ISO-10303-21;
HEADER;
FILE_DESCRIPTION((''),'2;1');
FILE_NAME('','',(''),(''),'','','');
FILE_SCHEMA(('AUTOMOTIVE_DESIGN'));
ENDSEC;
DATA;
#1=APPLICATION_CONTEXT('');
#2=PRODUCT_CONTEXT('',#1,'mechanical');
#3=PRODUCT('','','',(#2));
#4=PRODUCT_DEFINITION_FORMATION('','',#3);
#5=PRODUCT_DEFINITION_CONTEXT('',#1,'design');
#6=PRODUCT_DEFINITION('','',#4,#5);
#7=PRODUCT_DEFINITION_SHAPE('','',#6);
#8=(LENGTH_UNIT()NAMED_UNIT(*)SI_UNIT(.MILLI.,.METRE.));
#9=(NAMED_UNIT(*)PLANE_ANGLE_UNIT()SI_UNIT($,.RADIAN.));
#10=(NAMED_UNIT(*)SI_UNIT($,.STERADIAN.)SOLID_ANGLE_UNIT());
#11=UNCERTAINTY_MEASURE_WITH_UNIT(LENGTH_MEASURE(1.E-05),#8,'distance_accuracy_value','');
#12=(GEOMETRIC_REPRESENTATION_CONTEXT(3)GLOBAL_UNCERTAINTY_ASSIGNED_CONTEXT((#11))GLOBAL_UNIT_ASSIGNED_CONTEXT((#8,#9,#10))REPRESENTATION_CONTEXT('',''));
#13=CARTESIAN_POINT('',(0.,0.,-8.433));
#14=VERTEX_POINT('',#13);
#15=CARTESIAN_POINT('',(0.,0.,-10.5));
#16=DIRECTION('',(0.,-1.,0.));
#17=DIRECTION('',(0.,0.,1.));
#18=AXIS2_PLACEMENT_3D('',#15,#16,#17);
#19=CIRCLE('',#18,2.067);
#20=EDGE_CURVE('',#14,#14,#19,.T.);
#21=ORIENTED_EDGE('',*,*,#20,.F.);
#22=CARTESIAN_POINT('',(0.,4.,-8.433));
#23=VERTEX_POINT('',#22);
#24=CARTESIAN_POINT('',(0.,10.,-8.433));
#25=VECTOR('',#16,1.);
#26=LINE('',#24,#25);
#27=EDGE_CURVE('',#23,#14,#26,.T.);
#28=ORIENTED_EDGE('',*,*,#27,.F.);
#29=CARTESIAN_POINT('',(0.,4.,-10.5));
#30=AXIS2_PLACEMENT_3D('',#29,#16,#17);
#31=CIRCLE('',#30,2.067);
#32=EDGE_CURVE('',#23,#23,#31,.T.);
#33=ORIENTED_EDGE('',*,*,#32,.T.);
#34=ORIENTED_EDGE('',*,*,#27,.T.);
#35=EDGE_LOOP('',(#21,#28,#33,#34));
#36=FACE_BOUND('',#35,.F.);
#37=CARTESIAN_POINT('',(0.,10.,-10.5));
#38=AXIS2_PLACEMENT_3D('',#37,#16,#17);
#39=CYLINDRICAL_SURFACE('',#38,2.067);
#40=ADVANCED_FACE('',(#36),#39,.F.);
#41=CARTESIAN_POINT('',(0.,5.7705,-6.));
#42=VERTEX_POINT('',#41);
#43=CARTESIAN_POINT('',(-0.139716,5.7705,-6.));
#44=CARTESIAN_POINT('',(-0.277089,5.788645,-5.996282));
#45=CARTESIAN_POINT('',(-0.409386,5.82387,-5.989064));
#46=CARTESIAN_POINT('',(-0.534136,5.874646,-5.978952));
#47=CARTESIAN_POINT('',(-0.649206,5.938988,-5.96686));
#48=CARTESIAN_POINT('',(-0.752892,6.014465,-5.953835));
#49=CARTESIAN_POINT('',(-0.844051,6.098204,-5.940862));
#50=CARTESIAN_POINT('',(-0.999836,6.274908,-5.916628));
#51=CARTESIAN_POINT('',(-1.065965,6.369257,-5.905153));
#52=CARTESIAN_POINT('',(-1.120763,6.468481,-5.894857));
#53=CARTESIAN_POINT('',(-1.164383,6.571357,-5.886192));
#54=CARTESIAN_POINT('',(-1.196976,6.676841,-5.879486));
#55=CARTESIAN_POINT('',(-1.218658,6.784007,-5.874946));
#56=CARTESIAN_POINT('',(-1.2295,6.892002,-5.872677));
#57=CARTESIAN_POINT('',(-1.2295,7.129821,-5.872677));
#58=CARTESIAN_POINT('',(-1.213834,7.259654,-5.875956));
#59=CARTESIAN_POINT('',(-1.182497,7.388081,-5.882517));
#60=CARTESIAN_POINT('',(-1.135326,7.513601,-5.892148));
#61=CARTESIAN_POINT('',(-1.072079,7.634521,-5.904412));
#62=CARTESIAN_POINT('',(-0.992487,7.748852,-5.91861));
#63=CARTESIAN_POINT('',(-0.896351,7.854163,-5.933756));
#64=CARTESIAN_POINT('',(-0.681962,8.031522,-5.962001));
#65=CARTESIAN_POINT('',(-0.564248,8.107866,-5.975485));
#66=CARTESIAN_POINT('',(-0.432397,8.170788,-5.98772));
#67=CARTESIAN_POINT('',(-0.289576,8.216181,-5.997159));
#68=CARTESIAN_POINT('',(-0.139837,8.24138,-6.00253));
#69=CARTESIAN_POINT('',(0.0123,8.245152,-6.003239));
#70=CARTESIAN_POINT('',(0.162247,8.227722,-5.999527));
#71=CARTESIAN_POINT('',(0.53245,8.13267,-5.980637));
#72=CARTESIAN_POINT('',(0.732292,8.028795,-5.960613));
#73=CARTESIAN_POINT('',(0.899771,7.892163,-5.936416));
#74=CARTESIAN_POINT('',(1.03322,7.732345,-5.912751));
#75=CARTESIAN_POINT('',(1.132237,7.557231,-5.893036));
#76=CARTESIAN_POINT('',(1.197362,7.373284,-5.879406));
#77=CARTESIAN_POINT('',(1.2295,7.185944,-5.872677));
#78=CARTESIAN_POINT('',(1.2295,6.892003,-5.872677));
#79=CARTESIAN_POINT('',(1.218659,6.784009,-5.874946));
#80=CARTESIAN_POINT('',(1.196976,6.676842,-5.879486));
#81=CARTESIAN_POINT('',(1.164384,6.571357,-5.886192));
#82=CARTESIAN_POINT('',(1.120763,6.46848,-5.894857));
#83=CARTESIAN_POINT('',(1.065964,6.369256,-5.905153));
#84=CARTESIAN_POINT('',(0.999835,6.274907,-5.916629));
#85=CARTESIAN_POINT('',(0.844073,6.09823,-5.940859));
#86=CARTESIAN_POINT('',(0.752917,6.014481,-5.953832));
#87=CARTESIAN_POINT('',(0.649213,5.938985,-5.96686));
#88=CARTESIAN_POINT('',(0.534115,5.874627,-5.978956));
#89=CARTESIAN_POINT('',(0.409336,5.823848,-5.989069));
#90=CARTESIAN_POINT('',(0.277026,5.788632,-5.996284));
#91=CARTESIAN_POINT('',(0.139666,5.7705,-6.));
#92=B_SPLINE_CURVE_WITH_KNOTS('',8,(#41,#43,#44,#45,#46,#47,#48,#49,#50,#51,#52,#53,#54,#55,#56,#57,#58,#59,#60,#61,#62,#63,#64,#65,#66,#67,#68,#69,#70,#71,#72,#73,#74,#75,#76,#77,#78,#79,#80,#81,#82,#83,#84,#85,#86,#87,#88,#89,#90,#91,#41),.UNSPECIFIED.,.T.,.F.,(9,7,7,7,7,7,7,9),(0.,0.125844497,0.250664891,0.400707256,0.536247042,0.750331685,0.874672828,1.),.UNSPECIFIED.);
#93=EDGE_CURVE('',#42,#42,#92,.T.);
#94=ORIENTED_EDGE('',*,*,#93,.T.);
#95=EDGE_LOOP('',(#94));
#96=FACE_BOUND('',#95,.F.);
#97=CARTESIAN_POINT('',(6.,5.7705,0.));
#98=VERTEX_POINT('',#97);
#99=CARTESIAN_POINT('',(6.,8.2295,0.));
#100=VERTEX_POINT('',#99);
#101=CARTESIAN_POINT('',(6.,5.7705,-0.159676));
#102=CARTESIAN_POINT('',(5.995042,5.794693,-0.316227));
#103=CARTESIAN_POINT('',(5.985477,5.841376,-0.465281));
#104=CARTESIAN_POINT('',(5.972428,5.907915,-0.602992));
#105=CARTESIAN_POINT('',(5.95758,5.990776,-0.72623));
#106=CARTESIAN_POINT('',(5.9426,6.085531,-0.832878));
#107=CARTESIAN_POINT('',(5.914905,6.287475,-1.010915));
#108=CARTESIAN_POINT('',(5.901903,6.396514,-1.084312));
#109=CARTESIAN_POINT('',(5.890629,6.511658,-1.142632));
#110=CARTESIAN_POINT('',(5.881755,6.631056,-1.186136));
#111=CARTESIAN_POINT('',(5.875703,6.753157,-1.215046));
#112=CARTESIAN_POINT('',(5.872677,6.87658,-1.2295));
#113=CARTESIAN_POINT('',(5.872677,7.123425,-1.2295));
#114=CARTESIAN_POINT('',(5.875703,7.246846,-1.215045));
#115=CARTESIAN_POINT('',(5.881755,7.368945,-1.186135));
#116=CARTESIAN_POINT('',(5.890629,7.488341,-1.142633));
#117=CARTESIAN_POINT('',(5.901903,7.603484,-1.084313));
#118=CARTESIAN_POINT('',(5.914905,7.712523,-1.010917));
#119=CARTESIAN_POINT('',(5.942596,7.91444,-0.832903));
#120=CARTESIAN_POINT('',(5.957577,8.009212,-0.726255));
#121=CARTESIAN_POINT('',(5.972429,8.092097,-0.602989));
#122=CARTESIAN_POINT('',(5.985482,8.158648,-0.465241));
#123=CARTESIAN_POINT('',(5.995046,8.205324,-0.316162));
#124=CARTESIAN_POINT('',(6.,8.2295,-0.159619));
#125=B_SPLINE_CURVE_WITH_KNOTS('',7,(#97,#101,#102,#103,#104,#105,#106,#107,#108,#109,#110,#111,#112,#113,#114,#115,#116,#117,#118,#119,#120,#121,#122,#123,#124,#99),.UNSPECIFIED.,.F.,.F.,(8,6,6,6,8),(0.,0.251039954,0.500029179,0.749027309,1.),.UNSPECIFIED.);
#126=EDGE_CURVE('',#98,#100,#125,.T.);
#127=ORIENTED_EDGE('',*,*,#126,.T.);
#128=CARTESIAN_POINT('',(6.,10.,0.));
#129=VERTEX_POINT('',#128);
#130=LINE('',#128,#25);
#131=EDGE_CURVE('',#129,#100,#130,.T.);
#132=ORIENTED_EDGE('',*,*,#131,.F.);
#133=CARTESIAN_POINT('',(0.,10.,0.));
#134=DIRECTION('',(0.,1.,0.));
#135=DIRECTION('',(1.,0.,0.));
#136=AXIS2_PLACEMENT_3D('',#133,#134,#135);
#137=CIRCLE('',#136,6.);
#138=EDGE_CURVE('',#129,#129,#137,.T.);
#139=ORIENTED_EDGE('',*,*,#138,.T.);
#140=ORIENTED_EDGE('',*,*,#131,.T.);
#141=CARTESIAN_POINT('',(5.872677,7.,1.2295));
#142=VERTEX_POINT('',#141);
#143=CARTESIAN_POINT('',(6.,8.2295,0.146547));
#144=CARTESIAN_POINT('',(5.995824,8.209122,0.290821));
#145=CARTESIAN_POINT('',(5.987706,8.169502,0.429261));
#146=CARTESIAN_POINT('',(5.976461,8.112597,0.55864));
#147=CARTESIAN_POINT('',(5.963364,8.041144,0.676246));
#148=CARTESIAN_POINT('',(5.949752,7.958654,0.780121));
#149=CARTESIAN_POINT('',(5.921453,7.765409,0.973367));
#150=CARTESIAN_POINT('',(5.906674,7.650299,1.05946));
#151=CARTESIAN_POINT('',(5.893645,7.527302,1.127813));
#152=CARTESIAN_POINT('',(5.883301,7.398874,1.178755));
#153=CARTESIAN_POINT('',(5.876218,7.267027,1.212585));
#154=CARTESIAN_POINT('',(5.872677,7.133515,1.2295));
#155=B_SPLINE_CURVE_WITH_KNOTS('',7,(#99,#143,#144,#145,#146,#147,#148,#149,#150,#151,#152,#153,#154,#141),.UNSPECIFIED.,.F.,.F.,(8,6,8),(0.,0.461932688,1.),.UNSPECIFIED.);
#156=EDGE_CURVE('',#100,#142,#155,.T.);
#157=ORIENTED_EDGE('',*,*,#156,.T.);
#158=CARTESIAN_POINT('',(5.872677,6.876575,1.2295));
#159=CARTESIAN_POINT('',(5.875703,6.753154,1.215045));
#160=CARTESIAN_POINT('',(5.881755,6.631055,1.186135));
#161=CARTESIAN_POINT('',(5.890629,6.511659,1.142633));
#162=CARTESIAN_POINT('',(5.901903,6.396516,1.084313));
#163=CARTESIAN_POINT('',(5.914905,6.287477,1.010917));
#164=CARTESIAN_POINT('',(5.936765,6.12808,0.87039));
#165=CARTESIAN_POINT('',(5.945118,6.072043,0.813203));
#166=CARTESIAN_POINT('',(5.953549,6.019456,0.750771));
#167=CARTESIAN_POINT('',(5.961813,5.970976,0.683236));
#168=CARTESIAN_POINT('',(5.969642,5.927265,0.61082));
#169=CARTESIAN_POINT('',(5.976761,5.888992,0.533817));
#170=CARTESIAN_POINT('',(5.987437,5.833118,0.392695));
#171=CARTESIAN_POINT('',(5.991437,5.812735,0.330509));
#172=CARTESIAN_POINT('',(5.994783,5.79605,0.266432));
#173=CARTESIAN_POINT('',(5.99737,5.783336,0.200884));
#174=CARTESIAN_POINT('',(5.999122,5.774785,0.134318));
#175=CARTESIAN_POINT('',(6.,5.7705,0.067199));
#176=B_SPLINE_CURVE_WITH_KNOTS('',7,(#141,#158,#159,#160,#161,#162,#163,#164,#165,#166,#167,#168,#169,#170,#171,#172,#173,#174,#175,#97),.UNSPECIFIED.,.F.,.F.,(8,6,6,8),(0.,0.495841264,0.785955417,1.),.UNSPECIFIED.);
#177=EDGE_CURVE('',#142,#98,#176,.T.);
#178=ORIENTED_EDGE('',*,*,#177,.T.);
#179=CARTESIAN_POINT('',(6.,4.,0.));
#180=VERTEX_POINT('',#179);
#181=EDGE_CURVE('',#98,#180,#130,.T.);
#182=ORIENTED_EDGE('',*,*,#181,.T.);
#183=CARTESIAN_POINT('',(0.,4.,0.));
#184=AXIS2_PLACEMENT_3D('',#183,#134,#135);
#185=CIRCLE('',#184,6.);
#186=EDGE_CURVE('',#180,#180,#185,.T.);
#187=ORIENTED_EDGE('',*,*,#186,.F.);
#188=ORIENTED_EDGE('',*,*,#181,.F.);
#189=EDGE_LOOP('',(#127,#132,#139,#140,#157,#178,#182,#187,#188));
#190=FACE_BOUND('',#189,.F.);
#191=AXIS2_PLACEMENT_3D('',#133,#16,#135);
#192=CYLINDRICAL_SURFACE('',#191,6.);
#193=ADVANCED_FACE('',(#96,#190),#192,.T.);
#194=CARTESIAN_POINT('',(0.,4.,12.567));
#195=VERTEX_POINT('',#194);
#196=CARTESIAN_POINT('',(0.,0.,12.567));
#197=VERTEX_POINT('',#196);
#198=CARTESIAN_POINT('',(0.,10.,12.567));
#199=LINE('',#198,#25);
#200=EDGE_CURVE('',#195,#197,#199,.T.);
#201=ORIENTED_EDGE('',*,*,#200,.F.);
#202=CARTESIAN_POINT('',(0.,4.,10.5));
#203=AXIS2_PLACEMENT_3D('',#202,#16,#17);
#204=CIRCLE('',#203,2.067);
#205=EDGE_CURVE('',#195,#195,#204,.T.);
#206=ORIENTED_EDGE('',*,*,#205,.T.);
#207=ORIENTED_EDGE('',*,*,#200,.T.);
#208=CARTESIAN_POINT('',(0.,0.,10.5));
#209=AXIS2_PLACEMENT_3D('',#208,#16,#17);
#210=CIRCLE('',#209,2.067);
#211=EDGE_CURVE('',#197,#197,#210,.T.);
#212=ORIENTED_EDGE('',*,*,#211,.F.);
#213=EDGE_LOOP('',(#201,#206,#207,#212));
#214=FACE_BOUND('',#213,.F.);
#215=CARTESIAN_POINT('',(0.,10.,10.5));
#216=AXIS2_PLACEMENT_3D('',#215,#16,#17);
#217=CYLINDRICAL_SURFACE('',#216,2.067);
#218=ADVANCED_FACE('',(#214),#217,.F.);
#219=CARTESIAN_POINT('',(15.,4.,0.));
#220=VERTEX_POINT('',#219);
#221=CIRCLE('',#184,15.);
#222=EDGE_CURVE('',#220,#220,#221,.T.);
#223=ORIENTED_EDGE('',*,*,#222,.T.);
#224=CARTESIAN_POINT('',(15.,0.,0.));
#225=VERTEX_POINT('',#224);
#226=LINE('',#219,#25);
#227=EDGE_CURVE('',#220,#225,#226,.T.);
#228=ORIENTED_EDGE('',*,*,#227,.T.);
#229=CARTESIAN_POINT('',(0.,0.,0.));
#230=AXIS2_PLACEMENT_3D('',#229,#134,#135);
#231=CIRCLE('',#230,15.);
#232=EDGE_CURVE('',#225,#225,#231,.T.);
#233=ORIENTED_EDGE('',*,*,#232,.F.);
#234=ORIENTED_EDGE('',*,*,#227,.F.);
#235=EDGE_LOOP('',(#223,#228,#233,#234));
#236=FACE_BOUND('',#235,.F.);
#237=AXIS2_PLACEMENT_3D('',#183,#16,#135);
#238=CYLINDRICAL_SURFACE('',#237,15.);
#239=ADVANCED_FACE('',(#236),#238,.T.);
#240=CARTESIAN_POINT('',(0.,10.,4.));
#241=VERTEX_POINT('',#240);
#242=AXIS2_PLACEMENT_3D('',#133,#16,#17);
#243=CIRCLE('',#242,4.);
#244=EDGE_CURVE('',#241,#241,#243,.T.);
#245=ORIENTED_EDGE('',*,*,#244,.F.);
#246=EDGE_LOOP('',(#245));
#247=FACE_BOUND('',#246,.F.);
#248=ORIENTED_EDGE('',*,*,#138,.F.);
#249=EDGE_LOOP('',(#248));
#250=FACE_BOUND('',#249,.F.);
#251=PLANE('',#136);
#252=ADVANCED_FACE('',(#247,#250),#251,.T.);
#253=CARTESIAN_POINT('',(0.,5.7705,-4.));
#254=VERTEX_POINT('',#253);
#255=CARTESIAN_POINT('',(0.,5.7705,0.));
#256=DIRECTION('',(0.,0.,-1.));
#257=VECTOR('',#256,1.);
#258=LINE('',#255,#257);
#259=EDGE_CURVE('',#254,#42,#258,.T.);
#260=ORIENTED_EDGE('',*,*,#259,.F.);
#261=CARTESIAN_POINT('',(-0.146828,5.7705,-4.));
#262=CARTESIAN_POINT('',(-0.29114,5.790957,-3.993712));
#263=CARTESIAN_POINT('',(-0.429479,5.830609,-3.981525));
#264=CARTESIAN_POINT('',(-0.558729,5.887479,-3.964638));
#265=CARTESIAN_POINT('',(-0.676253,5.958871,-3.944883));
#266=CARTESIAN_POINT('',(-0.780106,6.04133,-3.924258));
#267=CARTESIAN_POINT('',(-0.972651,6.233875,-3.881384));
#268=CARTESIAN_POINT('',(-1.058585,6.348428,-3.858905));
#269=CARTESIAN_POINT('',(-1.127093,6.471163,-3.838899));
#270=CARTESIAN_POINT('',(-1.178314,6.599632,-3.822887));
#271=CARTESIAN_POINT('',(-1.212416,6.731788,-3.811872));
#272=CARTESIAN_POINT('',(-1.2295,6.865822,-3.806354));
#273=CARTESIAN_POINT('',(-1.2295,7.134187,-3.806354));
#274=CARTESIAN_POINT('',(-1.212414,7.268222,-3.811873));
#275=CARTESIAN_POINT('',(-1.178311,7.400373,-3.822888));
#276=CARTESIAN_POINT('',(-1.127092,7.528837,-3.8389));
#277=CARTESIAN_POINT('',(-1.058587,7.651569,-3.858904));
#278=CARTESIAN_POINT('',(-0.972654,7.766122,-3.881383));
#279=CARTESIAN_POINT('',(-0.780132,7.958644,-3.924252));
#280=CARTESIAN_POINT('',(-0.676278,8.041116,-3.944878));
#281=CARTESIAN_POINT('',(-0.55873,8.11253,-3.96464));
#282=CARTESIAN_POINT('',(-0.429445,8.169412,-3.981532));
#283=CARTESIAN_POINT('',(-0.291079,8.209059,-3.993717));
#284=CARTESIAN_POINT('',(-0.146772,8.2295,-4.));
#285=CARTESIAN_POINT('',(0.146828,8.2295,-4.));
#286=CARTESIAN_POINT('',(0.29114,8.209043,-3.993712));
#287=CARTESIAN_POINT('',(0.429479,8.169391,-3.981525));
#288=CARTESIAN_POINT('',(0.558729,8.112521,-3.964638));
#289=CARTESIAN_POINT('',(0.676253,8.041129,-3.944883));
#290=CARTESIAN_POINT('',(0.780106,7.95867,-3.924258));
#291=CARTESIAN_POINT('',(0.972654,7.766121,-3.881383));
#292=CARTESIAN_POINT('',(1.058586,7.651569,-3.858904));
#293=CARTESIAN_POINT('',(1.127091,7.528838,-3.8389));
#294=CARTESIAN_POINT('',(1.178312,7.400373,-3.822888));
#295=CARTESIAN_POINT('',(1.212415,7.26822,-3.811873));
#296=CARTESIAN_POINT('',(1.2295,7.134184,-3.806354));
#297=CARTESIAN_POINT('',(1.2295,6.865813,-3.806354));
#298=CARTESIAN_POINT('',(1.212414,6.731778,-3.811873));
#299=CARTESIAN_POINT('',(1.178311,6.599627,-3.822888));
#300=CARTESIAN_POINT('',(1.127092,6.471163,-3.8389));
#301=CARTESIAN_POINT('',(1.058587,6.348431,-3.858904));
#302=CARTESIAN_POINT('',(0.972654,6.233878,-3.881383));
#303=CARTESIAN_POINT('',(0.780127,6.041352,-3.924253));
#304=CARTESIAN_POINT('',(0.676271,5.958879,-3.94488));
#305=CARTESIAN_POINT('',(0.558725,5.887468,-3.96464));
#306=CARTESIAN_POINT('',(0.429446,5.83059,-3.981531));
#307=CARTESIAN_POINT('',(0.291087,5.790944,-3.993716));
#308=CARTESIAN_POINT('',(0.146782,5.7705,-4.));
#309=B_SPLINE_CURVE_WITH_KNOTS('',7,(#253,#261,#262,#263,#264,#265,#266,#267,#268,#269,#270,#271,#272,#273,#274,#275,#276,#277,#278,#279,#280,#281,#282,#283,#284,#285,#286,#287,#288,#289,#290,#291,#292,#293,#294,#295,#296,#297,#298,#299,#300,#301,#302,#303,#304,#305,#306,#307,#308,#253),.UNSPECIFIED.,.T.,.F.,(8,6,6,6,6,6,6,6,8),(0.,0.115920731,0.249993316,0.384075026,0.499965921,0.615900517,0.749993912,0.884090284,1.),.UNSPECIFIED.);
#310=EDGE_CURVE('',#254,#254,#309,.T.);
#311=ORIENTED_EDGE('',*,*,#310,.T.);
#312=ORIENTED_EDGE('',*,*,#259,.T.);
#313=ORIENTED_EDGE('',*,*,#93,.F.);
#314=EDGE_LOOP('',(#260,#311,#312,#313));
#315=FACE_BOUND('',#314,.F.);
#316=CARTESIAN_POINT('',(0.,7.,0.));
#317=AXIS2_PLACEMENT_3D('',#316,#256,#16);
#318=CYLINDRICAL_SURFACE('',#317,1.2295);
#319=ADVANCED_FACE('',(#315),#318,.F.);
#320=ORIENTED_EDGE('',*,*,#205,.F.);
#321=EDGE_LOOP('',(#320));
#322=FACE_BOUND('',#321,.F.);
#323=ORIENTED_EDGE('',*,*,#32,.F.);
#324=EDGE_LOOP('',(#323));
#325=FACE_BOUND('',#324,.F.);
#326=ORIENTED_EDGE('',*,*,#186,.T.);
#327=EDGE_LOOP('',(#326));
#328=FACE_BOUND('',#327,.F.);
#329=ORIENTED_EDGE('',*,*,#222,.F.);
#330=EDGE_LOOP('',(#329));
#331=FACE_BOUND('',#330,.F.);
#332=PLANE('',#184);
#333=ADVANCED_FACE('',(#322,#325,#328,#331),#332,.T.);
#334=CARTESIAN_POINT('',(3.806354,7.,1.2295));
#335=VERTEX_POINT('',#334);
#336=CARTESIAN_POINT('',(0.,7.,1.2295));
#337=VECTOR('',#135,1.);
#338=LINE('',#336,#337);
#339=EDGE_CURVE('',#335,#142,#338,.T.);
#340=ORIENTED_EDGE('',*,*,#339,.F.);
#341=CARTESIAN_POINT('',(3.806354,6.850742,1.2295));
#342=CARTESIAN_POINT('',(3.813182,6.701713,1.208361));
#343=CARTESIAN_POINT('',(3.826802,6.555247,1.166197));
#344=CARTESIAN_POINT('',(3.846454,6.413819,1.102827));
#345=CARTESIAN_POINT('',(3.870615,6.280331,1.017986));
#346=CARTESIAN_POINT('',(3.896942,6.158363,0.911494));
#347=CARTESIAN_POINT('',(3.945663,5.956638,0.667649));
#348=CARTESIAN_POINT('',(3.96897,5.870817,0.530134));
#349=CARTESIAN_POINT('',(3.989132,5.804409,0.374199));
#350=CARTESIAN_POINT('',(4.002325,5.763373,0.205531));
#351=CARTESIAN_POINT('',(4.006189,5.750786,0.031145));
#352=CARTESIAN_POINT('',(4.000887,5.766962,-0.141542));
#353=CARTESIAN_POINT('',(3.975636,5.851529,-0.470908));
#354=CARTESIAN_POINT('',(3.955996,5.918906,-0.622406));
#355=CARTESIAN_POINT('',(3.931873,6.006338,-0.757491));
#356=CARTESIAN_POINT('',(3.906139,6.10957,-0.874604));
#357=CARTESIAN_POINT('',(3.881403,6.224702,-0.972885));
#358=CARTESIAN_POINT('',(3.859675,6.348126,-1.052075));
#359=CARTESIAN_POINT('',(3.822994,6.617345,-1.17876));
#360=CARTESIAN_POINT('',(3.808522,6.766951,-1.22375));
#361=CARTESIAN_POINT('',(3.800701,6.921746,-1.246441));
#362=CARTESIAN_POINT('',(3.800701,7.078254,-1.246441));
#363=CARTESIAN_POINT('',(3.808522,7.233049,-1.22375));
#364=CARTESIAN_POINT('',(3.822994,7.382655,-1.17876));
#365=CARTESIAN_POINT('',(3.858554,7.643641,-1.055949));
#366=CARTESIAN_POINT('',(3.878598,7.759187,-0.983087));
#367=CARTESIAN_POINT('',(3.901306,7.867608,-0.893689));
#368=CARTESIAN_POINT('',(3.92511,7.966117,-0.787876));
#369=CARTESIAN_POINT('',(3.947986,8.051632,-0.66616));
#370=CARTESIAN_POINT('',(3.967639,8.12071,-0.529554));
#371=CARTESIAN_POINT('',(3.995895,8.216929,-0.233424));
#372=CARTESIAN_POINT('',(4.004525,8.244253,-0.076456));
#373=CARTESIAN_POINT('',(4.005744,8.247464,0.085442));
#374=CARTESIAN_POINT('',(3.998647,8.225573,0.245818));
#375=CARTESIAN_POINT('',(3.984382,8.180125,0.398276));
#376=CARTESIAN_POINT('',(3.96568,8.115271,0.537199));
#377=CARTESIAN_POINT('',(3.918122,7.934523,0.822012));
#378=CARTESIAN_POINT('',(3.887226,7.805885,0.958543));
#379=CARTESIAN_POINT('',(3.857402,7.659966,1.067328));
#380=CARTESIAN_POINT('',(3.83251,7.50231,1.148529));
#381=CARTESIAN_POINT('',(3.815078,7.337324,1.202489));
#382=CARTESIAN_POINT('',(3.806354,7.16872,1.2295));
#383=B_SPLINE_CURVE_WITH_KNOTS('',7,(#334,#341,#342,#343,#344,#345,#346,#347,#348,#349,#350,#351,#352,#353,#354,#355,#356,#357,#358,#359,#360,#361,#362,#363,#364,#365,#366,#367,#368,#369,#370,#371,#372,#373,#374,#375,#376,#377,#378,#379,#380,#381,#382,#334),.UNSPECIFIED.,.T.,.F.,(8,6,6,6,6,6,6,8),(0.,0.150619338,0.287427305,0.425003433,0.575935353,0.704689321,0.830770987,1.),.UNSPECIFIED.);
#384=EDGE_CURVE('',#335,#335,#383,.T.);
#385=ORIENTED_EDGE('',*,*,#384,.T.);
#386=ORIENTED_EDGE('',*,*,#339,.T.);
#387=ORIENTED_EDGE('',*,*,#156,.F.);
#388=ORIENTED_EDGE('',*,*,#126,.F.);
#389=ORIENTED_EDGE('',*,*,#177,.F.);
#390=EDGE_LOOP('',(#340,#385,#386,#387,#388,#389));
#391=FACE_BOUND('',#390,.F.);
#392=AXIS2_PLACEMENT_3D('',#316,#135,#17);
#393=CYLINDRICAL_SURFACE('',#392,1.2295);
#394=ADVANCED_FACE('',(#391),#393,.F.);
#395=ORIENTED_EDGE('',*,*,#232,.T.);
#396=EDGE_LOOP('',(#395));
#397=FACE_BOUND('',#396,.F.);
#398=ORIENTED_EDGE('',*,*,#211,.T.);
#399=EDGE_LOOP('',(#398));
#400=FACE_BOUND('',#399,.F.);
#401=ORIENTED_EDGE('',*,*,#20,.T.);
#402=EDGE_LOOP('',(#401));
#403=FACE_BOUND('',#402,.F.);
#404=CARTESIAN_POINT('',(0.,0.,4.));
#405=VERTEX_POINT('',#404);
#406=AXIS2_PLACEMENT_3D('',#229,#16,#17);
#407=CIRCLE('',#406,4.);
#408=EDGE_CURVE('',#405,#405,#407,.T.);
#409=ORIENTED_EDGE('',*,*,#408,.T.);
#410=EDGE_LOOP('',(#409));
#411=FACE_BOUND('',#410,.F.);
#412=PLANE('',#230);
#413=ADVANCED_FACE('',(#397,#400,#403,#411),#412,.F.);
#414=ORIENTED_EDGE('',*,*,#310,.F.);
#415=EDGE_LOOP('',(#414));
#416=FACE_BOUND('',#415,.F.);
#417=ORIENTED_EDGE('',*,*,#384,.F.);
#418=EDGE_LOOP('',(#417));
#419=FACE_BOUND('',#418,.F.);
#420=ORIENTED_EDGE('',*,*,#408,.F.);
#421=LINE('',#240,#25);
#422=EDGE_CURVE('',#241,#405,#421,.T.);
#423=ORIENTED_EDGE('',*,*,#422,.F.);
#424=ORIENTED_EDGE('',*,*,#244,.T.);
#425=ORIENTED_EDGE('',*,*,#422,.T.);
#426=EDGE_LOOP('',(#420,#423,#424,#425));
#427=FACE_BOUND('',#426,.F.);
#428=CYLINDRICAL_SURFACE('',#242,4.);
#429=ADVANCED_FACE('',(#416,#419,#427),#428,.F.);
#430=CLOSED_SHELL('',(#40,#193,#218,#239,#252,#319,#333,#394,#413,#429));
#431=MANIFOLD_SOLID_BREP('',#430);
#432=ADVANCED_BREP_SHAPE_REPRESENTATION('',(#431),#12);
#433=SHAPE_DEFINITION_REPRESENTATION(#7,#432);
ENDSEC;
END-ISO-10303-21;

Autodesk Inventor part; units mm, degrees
ref_plane "YZ Plane" through (0, 0, 0) normal (1, 0, 0) x (0, 1, 0)
ref_plane "XZ Plane" through (0, 0, 0) normal (0, 1, 0) x (-1, 0, 0)
ref_plane "XY Plane" through (0, 0, 0) normal (0, 0, 1) x (1, 0, 0)
sketch "Sketch1" plane through (0, 0, 0) normal (0, 0, 1) x (1, 0, 0)
  line L0 (0, 10) -> (6, 10)
  line L1 (6, 10) -> (6, 4)
  line L2 (6, 4) -> (15, 4)
  line L3 (15, 4) -> (15, 0)
  line L4 (15, 0) -> (0, 0)
  line L5 (0, 0) -> (0, 10)
  dimension "d0" = 4
  dimension "d1" = 10
  dimension "d2" = 15
  dimension "d3" = 6
revolve "Revolution1" add sketch "Sketch1" angle 360 about axis through (0, 0, 0) along (0, 1, 0)
sketch "Sketch2" plane through (0, 10, 0) normal (0, 1, 0) x (1, 0, 0)
  circle A0 centre (0, 0) radius 6
  line L0 (0, 6) -> (0, 15)
  circle A1 centre (0, 0) radius 15
  circle A2 centre (0, 0) radius 6
  circle A3 centre (0, 0) radius 15
  line L1 (0, -6) -> (0, -15)
  point P0 (0, 10.5)
  point P1 (0, -10.5)
  point P2 (0, -10.5)
  point P3 (0, 10.5)
hole "Hole1" at (0, 10, 0) direction (0, -1, 0) diameter 8 end through all
hole "Hole2" at (0, 10, -10.5) at (0, 10, 10.5) direction (0, -1, 0) diameter 4.134 end through all
sketch "Sketch3" plane through (0, 0, 0) normal (1, 0, 0) x (0, 1, 0)
  line L0 (10, 6) -> (10, -6)
  line L1 (4, 6) -> (4, -6)
  line L2 (4, 15) -> (4, -15)
  line L3 (0, 15) -> (0, -15)
  line L4 (10, 0) -> (4, 0)
  line L5 (4, 6) -> (4, -6)
  point P0 (0, 0)
  point P1 (7, 0)
  point P2 (7, 0)
hole "Hole3" at (0, 7, 0) direction (1, 0, 0) diameter 2.459 end through all
sketch "Sketch4" plane through (0, 0, 0) normal (0, 0, 1) x (1, 0, 0)
  line L0 (-15, 4) -> (15, 4)
  line L1 (-15, 0) -> (15, 0)
  line L2 (-4, 10) -> (4, 10)
  line L3 (0, 10) -> (0, 4)
  line L4 (-6, 4) -> (6, 4)
  point P0 (0, 0)
  point P1 (0, 7)
hole "Hole4" at (0, 7, 0) direction (0, 0, -1) diameter 2.459 end through all
properties part number "asbevestiging" material "Aluminum 6061"
